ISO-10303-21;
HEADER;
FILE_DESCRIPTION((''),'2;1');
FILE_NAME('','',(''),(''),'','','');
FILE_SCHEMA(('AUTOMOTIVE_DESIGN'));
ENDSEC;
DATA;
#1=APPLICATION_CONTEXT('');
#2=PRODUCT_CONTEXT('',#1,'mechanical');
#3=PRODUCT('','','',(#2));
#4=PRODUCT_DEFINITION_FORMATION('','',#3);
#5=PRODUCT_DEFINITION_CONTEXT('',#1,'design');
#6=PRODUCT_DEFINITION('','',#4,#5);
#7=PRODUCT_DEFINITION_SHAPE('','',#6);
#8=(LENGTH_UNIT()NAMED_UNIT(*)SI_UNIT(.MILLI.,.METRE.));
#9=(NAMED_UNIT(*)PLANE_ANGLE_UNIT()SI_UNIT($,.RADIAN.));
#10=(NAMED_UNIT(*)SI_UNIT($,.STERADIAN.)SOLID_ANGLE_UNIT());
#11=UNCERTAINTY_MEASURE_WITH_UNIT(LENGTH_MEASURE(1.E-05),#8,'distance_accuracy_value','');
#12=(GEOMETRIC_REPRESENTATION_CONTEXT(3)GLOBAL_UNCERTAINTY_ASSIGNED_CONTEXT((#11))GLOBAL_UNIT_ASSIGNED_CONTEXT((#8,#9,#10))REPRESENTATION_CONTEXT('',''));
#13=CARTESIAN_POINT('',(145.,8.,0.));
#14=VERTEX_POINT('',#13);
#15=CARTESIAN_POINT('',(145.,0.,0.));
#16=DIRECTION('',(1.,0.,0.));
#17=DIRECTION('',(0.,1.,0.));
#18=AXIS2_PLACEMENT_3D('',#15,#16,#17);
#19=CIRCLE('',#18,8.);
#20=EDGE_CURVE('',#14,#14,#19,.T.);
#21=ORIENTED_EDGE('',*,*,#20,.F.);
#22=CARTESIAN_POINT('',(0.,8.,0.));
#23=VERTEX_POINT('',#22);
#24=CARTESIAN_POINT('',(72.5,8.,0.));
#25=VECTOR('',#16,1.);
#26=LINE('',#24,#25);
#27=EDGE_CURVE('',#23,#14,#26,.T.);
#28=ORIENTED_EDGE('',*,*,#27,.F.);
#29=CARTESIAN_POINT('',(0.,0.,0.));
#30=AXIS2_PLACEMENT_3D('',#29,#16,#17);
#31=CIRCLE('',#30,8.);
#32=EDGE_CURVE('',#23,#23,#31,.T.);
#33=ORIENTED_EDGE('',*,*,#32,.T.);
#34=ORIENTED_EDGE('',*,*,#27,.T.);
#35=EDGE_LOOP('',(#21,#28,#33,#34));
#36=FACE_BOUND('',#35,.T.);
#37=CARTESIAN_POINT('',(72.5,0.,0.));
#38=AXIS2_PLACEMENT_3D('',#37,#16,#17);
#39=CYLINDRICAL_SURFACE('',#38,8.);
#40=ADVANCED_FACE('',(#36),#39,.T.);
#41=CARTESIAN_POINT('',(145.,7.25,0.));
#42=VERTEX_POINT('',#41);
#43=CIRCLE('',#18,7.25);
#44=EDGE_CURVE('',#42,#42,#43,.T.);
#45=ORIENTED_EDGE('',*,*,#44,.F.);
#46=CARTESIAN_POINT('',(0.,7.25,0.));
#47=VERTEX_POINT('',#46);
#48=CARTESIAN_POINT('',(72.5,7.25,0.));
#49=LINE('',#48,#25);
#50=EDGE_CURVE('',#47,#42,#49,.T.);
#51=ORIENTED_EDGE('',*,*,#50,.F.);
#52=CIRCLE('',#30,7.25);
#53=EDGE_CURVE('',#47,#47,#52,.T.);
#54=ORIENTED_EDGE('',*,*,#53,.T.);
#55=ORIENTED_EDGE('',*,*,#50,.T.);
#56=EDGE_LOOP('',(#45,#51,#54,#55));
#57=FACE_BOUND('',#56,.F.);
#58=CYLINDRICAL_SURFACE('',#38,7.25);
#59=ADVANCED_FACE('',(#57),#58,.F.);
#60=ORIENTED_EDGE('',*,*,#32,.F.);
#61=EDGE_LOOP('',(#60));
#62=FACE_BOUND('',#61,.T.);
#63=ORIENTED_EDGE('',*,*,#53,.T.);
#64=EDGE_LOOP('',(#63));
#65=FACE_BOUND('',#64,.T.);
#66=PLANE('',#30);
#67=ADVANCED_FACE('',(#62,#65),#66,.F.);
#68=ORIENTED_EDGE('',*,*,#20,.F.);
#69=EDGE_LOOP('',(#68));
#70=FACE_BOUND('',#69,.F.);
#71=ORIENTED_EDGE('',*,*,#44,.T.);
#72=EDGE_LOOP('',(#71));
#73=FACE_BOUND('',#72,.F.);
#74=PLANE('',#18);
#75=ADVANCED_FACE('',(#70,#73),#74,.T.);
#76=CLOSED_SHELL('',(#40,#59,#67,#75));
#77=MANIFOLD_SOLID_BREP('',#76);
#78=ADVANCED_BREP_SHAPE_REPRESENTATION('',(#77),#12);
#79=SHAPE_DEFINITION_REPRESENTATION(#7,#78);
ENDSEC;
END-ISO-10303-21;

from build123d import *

# Parameters (mm, degrees)
SKETCH1_W = 145
SKETCH1_H = 0.75


with BuildPart() as part:
    # Sketch1 → Revolve1 (revolve)
    with BuildSketch(Plane.XY):
        with Locations((72.5, 7.625)):
            Rectangle(SKETCH1_W, SKETCH1_H)
    revolve(axis=Axis((0, 0, 0), (1, 0, 0)))


solid = part.part
